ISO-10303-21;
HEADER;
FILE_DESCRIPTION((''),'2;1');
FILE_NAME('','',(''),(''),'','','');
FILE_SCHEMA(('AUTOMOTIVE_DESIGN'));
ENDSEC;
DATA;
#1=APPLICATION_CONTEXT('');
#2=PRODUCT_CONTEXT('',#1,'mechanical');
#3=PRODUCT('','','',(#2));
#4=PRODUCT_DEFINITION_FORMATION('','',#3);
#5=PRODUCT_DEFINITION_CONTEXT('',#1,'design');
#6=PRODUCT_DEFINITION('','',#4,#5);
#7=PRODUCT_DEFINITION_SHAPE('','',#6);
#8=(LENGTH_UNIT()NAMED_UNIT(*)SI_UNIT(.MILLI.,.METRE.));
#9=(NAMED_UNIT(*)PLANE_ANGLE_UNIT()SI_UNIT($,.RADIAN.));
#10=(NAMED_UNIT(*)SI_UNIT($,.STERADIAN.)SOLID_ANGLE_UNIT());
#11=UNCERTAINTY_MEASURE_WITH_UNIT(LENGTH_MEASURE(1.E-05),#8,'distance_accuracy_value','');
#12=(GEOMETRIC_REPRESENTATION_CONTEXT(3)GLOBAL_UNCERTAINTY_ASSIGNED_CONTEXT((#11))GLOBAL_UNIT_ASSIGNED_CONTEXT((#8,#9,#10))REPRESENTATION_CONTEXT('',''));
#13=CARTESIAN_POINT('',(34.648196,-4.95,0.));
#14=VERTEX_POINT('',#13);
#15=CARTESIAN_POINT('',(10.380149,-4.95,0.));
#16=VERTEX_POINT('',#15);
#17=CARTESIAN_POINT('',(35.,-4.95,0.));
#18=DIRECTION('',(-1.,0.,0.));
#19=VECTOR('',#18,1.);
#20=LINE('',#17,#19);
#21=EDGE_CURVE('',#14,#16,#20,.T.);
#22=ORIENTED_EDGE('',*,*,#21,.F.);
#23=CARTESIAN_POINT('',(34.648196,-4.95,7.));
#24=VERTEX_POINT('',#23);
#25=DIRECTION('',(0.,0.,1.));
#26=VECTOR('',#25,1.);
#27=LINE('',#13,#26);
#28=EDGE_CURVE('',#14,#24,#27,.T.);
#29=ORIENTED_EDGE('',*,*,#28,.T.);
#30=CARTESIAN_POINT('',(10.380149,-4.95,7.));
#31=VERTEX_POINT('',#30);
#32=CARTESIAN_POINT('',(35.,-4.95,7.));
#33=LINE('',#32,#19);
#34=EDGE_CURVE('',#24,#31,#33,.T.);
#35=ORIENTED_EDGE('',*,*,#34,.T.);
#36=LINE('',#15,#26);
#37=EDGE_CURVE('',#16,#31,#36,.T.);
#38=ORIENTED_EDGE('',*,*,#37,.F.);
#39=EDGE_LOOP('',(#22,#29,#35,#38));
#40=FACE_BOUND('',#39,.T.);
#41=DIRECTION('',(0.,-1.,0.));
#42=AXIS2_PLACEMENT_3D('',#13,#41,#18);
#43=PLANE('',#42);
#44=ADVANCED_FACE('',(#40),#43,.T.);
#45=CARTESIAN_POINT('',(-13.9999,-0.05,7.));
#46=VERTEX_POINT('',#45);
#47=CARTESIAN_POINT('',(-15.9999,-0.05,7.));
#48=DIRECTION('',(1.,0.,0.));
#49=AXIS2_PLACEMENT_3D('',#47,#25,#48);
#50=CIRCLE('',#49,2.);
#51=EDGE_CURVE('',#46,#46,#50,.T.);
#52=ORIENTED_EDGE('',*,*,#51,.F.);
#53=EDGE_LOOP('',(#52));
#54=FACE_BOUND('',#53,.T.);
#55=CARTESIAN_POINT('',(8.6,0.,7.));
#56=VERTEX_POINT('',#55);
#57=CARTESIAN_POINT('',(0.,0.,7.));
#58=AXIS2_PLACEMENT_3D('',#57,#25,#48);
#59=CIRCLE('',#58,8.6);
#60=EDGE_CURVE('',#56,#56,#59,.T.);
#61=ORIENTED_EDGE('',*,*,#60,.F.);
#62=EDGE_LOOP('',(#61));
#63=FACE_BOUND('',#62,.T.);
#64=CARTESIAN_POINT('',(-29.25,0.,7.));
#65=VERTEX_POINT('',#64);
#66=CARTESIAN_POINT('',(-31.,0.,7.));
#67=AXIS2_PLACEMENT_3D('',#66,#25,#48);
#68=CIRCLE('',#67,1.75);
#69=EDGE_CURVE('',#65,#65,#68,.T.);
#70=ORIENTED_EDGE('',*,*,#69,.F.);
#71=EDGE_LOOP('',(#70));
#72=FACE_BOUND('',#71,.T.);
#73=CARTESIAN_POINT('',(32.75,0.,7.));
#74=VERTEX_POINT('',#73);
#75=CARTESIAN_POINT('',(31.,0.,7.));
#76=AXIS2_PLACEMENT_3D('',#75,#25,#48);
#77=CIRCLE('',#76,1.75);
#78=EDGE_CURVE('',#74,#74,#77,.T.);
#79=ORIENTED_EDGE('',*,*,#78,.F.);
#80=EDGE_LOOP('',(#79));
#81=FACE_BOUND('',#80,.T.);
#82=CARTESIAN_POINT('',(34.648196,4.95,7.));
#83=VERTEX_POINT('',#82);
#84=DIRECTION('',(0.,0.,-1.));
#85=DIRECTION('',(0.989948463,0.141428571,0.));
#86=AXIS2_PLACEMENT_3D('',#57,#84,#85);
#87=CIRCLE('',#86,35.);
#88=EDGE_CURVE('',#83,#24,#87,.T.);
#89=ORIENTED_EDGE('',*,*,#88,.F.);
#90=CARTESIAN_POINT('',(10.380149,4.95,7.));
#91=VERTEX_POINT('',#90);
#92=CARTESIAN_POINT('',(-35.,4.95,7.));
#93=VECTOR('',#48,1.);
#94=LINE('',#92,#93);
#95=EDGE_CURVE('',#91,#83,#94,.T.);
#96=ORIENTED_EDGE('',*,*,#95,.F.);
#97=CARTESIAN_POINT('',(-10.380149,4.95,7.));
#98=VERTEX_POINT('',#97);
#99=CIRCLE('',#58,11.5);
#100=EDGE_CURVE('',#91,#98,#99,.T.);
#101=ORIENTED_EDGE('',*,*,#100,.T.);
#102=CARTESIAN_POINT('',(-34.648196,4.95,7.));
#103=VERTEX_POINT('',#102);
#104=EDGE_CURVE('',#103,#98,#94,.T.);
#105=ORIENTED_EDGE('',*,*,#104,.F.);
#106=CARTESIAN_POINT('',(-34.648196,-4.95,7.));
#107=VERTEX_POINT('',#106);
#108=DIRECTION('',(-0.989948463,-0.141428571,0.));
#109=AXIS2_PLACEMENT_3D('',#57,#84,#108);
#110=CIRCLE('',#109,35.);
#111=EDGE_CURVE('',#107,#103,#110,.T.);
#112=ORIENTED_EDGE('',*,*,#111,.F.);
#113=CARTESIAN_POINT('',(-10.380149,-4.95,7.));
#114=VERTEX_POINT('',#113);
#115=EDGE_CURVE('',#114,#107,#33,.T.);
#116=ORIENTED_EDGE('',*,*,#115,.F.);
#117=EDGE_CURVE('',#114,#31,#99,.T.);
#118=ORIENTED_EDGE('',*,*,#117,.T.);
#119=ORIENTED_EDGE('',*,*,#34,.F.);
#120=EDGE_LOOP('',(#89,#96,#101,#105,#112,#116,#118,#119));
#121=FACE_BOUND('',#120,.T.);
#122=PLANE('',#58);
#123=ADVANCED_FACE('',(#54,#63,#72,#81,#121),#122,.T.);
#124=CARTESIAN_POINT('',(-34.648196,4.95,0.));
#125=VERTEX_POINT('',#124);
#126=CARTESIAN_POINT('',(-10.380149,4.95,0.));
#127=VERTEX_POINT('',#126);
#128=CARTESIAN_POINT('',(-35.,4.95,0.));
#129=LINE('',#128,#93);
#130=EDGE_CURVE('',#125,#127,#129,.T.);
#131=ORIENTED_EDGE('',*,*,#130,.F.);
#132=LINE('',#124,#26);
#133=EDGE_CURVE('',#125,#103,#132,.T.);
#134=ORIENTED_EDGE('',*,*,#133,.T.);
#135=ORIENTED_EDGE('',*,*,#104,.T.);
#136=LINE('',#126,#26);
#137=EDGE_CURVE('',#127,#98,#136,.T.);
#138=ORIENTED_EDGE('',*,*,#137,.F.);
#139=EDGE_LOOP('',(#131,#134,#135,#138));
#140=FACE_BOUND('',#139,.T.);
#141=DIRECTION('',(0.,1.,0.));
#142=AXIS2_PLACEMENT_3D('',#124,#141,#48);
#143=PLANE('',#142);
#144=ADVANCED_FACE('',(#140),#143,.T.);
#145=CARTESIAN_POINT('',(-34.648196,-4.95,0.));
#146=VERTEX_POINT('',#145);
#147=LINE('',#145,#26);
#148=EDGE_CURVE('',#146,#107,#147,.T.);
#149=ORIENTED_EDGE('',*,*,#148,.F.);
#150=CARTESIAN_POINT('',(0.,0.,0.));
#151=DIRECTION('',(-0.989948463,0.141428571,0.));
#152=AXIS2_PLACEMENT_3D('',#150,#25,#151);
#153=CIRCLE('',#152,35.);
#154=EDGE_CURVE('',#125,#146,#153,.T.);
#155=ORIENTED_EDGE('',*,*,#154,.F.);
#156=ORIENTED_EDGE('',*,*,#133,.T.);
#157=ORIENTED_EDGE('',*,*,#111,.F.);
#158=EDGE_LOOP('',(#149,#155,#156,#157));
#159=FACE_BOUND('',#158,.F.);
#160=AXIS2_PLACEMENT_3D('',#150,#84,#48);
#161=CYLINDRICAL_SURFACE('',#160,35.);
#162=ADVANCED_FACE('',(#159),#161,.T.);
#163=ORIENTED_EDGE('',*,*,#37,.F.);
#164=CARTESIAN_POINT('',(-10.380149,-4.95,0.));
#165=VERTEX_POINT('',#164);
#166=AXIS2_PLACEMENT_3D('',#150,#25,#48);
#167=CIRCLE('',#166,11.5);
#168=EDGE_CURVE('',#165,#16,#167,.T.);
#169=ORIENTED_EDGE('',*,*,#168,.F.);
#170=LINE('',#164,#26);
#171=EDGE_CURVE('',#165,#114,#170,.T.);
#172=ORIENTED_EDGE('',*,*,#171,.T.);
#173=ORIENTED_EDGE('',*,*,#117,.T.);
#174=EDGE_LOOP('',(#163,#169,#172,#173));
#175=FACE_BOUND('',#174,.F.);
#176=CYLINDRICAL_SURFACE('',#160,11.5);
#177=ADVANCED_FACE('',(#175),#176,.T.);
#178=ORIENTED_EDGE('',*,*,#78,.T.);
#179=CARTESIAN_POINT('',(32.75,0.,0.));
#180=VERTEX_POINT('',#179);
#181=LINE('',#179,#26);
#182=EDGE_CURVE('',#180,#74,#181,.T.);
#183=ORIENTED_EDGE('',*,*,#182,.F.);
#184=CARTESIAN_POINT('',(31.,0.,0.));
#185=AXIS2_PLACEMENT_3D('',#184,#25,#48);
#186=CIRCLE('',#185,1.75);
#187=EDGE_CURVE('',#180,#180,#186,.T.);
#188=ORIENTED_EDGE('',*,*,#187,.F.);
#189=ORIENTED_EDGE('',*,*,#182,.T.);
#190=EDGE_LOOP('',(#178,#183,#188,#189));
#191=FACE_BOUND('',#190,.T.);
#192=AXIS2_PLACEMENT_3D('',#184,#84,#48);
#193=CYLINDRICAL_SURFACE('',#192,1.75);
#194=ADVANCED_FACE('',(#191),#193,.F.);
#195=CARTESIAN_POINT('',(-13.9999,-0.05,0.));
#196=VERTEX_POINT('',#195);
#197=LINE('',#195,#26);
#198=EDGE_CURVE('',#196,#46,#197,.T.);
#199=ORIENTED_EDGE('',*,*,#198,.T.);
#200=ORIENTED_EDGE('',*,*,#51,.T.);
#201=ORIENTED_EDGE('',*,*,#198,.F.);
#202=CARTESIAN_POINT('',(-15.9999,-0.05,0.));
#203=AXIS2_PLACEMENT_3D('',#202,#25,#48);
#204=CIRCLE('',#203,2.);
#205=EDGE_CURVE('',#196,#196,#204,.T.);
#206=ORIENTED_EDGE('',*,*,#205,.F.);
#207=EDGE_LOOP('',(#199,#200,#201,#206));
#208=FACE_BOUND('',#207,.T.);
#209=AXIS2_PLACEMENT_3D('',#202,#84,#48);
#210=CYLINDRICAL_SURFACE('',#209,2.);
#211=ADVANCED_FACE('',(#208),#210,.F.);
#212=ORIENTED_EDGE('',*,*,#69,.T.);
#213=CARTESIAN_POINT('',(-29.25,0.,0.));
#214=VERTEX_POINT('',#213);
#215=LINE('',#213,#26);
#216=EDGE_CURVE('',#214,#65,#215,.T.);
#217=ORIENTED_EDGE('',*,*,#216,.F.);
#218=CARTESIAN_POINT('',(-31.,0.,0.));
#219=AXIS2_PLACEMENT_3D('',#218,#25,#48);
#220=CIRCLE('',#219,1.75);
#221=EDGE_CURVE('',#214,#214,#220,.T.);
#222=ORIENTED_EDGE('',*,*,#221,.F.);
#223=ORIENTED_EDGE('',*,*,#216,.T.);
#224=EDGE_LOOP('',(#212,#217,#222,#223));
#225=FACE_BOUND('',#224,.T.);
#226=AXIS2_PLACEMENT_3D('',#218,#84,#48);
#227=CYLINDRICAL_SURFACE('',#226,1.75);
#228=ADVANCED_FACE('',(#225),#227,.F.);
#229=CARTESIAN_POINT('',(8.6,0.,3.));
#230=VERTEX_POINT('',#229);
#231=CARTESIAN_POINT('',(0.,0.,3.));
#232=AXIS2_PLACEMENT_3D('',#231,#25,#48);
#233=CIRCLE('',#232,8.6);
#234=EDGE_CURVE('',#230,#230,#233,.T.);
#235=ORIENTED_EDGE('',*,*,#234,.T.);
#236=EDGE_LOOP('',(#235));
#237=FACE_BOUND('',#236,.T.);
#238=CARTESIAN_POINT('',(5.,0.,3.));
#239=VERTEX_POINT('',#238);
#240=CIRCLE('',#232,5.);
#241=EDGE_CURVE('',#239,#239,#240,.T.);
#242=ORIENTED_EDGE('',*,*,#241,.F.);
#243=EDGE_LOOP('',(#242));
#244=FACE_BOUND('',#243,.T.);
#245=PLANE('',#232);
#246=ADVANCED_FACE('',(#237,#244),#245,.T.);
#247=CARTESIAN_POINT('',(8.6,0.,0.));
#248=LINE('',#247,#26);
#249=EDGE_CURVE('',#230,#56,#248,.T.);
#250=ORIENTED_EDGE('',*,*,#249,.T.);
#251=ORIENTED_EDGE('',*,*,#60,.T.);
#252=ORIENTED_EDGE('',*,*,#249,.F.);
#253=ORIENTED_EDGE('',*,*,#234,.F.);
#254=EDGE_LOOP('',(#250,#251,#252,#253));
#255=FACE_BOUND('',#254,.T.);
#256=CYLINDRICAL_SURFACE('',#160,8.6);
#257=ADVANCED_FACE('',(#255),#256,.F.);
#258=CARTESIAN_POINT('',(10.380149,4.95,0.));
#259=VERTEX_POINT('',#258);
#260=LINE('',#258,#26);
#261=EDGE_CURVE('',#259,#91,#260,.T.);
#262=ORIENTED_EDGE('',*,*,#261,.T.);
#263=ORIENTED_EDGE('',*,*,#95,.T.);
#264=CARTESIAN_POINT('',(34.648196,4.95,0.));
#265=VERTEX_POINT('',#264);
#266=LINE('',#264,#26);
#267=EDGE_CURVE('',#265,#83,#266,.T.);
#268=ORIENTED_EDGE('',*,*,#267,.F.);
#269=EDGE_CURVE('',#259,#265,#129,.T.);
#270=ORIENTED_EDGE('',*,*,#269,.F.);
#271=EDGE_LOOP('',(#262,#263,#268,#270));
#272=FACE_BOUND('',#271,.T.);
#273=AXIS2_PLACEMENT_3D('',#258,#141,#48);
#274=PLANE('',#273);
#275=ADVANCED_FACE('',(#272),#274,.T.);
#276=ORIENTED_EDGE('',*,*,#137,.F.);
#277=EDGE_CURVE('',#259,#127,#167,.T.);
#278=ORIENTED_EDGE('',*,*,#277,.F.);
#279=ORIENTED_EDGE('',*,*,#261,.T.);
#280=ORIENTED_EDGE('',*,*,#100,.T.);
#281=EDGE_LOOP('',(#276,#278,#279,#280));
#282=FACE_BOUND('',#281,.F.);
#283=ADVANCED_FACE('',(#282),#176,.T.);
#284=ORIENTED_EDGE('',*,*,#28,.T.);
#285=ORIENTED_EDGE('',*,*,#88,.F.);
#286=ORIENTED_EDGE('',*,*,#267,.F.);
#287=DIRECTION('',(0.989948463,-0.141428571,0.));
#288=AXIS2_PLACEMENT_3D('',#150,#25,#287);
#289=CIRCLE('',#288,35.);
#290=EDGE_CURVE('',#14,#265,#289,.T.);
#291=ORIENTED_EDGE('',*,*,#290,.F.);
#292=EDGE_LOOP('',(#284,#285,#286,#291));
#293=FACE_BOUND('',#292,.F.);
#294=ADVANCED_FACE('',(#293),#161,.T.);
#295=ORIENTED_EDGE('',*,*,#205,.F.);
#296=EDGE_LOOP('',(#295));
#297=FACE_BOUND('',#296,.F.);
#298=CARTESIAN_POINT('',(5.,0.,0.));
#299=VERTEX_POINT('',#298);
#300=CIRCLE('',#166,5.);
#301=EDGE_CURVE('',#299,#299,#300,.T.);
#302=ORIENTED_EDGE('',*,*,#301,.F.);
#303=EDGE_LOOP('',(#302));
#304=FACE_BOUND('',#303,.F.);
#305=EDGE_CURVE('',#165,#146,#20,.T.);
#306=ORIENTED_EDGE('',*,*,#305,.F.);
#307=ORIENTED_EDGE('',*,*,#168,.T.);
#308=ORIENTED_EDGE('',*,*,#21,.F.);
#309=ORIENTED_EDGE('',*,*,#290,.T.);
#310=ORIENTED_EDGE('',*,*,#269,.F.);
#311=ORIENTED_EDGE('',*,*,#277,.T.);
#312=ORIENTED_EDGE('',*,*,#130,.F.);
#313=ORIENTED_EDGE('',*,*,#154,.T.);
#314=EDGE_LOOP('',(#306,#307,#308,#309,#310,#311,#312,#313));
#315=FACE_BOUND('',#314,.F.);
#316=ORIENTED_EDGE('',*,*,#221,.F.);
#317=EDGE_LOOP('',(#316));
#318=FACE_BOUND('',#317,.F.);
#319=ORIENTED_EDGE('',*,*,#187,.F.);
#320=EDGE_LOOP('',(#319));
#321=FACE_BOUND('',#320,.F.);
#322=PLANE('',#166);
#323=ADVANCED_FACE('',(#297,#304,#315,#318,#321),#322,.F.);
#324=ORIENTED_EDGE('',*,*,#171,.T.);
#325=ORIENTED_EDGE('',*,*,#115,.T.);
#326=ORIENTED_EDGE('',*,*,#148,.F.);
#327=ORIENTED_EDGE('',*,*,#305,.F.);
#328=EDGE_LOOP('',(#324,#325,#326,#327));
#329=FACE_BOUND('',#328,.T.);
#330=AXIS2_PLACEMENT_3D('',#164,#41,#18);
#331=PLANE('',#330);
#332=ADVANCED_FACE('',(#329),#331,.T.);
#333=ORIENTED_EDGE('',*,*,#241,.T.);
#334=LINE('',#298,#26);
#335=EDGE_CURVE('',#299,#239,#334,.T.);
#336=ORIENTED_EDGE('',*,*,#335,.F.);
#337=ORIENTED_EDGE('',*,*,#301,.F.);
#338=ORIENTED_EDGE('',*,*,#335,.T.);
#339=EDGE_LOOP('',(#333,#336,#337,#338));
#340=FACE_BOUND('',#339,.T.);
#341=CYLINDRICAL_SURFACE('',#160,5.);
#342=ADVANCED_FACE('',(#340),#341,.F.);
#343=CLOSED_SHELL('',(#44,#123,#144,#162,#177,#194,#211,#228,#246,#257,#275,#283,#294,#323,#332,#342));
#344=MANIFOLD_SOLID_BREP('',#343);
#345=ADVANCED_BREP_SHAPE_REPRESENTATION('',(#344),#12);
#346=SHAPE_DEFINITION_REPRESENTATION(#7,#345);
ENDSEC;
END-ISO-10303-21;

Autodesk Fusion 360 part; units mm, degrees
sketch "Szkic1" plane through (0, 0, 0) normal (0, 0, 1) x (1, 0, 0)
  circle A0 centre (0, 0) radius 11.5
  circle A1 centre (0, 0) radius 8.6
  circle A2 centre (0, 0) radius 5
  dimension "d1" = 23
  dimension "d2" = 17.2
  dimension "d7" = 10
extrude "Wyciągnięcie proste1" add sketch "Szkic1" along normal blind 7 contours A0
extrude "Wyciągnięcie proste2" add sketch "Szkic1" along normal blind 3 contours A1
sketch "Szkic2" plane through (0, 0, 0) normal (0, 0, 1) x (1, 0, 0)
  line L0 (20, -5) -> (-20, -5)
  line L1 (-20, 5) -> (20, 5)
  line L2 (20, -5) -> (-20, 5) construction
  line L3 (-20, -5) -> (20, 5) construction
  line L4 (35, -4.95) -> (-35, -4.95)
  line L5 (-35, -4.95) -> (-35, 4.95)
  line L6 (-35, 4.95) -> (35, 4.95)
  line L7 (35, 4.95) -> (35, -4.95)
  line L8 (35, -4.95) -> (-35, 4.95) construction
  line L9 (-20, -5) -> (-24, -5)
  line L10 (-24, 5) -> (-20, 5)
  circle A0 centre (0, 0) radius 11.5
  line L11 (-35, -4.95) -> (-11.3867, -1.6104) construction
  line L12 (0, 0) -> (35, 4.95) construction
  circle A1 centre (0, 0) radius 35
  circle A2 centre (-31, 0) radius 1.75
  circle A3 centre (31, 0) radius 1.75
  circle A4 centre (-15.9999, -0.05) radius 2
  dimension "d9" = 10
  dimension "d10" = 70
  dimension "d11" = 9.9
  dimension "d36" = 3.5
  dimension "d37" = 4
  dimension "d38" = 4
  dimension "d68" = 4
  dimension "d69" = 5
  dimension "d70" = 16
extrude "Wyciągnięcie proste3" add sketch "Szkic2" along normal blind 7 contours L4 L6 A0 A1 | L4 L6 A0 A1
